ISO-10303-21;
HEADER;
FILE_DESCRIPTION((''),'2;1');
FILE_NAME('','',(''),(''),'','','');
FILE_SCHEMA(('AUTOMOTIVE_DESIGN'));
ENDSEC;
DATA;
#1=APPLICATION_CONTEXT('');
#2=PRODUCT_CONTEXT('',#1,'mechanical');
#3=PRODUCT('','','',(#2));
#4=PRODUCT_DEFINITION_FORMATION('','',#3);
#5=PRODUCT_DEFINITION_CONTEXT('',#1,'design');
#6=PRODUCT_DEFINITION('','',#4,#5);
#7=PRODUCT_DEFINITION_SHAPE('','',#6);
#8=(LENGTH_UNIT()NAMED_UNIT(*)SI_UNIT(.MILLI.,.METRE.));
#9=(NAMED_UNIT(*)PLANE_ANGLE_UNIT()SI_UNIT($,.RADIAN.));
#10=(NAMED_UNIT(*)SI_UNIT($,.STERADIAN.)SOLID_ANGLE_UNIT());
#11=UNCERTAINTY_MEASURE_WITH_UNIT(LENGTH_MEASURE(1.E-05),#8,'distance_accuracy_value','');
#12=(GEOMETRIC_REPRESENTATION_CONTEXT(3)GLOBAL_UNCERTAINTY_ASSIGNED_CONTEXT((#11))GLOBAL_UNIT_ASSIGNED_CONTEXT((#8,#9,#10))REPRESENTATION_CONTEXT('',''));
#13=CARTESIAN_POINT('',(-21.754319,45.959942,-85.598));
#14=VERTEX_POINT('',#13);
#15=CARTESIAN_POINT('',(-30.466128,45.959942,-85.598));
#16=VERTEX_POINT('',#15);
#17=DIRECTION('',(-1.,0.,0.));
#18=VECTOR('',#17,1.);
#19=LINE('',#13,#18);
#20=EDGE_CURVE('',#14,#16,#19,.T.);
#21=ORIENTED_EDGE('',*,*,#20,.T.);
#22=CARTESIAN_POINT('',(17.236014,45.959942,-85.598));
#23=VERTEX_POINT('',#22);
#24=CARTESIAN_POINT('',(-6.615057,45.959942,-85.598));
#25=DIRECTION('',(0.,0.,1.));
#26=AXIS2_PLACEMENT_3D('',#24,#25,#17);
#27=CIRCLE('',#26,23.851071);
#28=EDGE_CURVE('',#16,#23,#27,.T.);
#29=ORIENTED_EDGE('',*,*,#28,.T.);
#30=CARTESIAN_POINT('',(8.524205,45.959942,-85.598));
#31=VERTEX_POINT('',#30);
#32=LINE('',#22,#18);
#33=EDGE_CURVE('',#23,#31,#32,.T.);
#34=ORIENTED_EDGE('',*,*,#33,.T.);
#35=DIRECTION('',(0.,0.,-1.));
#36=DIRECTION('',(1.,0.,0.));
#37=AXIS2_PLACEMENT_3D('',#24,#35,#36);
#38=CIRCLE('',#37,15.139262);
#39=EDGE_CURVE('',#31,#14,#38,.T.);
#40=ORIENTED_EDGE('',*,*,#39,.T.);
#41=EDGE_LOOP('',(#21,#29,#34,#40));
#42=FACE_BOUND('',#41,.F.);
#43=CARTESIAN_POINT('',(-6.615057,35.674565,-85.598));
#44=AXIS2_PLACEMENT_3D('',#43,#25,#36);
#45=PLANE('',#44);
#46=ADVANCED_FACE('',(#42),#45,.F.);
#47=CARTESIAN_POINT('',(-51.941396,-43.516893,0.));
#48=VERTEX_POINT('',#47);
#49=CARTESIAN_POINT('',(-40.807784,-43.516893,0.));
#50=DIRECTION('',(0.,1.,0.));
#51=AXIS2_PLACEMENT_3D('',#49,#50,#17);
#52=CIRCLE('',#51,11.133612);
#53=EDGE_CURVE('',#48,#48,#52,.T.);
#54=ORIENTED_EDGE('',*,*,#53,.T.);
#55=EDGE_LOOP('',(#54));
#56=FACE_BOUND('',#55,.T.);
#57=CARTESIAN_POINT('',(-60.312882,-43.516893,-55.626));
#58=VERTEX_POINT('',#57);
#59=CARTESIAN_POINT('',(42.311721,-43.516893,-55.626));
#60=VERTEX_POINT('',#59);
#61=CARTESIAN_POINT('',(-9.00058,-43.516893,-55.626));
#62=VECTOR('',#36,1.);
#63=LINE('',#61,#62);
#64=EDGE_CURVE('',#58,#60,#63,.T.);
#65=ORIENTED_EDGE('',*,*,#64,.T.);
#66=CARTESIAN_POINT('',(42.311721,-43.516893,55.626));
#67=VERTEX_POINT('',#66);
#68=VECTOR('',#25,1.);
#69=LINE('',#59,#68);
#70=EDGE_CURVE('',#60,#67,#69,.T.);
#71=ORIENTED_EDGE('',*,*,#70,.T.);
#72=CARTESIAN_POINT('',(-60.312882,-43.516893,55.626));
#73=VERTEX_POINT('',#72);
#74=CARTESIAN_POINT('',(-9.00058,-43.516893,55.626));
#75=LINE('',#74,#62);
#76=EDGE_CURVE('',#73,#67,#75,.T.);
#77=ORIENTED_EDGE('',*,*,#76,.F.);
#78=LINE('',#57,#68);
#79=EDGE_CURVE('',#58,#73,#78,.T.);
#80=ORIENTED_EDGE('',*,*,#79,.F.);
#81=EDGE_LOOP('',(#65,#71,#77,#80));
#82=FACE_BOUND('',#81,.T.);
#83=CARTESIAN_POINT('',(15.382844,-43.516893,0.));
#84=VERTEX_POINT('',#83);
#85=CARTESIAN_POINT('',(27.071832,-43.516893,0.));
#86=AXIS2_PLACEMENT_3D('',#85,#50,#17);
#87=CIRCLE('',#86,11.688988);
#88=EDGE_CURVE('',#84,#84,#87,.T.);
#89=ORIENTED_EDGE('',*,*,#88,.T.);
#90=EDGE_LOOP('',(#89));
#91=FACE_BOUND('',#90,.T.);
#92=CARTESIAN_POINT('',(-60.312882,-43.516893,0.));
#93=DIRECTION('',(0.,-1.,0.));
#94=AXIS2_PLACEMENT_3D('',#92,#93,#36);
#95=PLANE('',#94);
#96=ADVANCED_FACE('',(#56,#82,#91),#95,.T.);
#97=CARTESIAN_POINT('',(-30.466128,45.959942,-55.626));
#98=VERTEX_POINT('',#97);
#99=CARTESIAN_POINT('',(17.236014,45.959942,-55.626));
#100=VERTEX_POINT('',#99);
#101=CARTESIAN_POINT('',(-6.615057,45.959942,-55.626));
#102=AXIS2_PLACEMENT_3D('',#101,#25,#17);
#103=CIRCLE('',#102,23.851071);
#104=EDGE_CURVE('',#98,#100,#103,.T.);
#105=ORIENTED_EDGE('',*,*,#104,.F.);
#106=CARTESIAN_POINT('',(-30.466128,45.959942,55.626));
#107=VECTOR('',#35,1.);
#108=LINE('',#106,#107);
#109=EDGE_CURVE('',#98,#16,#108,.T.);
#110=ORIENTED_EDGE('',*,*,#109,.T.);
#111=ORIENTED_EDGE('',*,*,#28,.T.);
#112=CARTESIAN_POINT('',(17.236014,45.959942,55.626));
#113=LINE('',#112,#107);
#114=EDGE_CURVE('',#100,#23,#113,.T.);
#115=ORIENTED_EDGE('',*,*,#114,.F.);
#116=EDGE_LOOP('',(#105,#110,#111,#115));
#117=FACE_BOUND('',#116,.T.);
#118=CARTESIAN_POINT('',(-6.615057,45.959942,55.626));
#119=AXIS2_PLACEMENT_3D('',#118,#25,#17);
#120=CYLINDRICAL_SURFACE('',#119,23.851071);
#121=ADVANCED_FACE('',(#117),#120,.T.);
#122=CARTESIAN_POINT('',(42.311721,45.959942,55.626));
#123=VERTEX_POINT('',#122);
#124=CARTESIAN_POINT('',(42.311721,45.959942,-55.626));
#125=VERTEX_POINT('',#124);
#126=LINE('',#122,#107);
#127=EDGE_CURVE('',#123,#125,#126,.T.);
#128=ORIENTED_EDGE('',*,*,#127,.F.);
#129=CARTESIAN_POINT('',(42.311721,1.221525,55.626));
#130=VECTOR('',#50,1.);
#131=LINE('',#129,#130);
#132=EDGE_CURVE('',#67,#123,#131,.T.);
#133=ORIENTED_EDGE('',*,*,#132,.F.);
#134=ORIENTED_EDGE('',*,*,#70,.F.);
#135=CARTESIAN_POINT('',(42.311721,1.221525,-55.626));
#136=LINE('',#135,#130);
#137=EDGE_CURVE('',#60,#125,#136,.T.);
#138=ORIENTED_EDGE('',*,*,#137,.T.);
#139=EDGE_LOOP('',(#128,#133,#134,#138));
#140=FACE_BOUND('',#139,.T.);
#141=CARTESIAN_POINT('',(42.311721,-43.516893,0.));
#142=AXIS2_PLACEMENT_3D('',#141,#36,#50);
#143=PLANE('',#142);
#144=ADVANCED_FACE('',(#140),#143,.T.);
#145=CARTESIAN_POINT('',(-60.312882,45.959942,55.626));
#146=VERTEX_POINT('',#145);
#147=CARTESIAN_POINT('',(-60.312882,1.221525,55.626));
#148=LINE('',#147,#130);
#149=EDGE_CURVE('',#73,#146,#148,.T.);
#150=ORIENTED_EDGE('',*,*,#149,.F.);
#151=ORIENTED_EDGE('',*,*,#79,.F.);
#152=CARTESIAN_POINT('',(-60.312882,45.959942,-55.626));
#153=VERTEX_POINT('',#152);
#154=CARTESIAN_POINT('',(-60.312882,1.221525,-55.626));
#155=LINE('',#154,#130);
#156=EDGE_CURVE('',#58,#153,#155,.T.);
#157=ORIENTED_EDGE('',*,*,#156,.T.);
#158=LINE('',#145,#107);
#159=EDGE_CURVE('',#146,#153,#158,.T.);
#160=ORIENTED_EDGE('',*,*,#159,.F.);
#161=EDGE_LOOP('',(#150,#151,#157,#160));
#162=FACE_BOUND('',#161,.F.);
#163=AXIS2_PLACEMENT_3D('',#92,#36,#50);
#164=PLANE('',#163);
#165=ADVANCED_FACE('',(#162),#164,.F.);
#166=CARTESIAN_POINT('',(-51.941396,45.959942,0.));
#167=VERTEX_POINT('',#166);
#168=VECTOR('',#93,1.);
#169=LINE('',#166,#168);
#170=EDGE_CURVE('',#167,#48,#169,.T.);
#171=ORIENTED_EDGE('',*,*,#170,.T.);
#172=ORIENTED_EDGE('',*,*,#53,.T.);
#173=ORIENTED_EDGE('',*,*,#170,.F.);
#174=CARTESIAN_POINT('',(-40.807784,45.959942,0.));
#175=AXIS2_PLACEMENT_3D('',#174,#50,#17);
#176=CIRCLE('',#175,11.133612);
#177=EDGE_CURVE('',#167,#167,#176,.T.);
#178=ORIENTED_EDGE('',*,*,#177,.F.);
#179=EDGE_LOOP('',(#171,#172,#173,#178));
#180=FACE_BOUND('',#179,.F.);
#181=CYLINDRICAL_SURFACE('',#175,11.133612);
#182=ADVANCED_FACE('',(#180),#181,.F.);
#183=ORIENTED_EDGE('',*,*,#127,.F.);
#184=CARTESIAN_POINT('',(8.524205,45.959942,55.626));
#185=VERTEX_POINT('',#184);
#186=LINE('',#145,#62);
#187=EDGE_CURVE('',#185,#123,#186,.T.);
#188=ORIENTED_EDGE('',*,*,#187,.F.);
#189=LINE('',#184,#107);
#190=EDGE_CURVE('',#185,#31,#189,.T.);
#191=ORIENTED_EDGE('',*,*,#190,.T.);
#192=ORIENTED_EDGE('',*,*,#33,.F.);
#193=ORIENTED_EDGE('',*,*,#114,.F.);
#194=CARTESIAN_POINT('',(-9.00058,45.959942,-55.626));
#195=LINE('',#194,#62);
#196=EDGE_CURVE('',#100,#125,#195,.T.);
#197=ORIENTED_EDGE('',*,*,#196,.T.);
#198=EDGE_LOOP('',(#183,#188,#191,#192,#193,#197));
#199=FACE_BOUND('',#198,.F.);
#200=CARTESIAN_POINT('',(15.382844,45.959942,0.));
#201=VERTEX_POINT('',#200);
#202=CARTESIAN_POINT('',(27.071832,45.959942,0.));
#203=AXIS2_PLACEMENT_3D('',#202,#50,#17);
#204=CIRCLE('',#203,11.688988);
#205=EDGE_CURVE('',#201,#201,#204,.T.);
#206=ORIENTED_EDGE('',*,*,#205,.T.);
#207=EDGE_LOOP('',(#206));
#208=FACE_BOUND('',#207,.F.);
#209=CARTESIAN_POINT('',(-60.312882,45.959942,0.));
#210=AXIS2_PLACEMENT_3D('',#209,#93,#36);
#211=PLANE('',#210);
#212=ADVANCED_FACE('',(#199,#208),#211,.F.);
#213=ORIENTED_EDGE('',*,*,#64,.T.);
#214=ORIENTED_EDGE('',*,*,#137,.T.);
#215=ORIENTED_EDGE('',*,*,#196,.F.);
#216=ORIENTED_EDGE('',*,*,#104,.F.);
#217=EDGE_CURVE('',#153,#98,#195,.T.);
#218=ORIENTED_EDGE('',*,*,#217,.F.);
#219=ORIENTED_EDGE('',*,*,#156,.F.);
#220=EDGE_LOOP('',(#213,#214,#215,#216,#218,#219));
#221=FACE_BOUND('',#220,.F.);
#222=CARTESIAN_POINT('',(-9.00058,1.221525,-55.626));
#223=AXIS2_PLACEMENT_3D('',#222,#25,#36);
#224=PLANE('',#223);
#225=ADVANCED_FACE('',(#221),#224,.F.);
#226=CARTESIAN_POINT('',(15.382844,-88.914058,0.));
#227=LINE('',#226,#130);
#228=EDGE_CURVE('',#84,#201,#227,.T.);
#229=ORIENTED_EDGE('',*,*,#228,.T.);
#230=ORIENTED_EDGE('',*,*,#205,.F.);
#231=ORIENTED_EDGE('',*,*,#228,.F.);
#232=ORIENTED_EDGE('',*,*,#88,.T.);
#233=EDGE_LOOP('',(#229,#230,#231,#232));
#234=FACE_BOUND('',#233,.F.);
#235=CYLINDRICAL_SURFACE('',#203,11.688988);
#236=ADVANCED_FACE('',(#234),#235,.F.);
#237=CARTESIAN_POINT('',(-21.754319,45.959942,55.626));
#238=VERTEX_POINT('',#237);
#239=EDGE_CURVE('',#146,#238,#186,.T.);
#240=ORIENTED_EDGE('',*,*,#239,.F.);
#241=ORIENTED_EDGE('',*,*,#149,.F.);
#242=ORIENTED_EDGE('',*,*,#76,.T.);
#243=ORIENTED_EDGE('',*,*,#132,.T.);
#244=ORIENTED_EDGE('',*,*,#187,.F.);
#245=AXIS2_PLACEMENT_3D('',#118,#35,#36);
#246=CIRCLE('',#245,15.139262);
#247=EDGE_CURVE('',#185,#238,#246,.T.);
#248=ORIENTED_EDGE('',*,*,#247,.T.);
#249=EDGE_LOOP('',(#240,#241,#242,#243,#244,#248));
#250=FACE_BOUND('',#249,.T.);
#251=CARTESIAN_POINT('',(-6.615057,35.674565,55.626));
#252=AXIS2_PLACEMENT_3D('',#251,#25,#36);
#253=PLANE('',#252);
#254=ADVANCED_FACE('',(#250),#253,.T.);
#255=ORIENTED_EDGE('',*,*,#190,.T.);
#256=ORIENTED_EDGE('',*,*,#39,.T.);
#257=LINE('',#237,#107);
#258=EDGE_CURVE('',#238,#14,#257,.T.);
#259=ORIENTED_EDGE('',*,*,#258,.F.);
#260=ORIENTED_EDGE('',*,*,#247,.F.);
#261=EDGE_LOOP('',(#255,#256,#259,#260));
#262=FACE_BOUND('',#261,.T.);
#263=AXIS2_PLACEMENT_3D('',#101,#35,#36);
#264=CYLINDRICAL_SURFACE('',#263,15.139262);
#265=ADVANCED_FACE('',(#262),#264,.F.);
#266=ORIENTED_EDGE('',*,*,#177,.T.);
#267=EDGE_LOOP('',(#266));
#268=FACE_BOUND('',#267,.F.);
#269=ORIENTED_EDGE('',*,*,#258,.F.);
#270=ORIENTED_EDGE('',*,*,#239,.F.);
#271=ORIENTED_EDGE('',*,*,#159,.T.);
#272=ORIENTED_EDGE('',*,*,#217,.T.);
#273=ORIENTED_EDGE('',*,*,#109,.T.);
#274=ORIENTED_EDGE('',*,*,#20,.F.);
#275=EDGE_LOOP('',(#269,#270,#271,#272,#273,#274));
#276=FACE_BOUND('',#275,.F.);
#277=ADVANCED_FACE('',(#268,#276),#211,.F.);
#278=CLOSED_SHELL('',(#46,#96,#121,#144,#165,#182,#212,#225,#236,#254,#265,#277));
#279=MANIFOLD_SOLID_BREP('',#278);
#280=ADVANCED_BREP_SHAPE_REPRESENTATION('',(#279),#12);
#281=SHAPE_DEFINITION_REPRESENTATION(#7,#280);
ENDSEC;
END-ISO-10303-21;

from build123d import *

# Parameters (mm, degrees)
F0_W     = 102.6246032535
F0_H     = 89.4768349826
F1_DEPTH = 55.626
F3_DEPTH = 141.224
F4_DEPTH = 156.718
F5_R     = 11.6889879412
F6_DEPTH = 134.874
F7_R     = 11.1336119635
F8_DEPTH = 268.478


with BuildPart() as f1:
    # F0 (on Top) → F1 (new body, symmetric)
    with BuildSketch(Plane.XY):
        with Locations((-9.000580439, 1.2215245515)):
            Rectangle(F0_W, F0_H)
    extrude(amount=F1_DEPTH, both=True)

    # F2 (on face) → F3 (join)
    with BuildSketch(Plane.XY.offset(55.626)):
        with BuildLine():
            ThreePointArc((-30.4661283079, 45.9599420428), (-6.615057122, 22.1088708569), (17.2360140639, 45.9599420428))
            Line((17.2360140639, 45.9599420428), (8.524204708, 45.9599420428))
            ThreePointArc((8.524204708, 45.9599420428), (-6.615057122, 30.8206802129), (-21.7543189519, 45.9599420428))
            Line((-21.7543189519, 45.9599420428), (-30.4661283079, 45.9599420428))
        make_face()
    extrude(amount=-F3_DEPTH)

    # F4 (cut): a face of the model
    f4_faces = [f1.faces().sort_by_distance(p)[0] for p in [
        (-6.615057122, 39.5346397628, -55.626),
    ]]
    extrude(f4_faces, amount=-F4_DEPTH, mode=Mode.SUBTRACT)

    # F5 (on face) → F6 (cut, symmetric)
    with BuildSketch(Plane(origin=(0, 45.9599420428, 0), x_dir=(-1, 0, 0), z_dir=(0, 1, 0))):
        with Locations((-27.0718317479, 0)):
            Circle(F5_R)
    extrude(amount=F6_DEPTH, both=True, mode=Mode.SUBTRACT)

    # F7 (on face) → F8 (cut)
    with BuildSketch(Plane(origin=(0, 45.9599420428, 0), x_dir=(-1, 0, 0), z_dir=(0, 1, 0))):
        with Locations((40.8077836037, 0)):
            Circle(F7_R)
    extrude(amount=-F8_DEPTH, mode=Mode.SUBTRACT)


solid = f1.part
